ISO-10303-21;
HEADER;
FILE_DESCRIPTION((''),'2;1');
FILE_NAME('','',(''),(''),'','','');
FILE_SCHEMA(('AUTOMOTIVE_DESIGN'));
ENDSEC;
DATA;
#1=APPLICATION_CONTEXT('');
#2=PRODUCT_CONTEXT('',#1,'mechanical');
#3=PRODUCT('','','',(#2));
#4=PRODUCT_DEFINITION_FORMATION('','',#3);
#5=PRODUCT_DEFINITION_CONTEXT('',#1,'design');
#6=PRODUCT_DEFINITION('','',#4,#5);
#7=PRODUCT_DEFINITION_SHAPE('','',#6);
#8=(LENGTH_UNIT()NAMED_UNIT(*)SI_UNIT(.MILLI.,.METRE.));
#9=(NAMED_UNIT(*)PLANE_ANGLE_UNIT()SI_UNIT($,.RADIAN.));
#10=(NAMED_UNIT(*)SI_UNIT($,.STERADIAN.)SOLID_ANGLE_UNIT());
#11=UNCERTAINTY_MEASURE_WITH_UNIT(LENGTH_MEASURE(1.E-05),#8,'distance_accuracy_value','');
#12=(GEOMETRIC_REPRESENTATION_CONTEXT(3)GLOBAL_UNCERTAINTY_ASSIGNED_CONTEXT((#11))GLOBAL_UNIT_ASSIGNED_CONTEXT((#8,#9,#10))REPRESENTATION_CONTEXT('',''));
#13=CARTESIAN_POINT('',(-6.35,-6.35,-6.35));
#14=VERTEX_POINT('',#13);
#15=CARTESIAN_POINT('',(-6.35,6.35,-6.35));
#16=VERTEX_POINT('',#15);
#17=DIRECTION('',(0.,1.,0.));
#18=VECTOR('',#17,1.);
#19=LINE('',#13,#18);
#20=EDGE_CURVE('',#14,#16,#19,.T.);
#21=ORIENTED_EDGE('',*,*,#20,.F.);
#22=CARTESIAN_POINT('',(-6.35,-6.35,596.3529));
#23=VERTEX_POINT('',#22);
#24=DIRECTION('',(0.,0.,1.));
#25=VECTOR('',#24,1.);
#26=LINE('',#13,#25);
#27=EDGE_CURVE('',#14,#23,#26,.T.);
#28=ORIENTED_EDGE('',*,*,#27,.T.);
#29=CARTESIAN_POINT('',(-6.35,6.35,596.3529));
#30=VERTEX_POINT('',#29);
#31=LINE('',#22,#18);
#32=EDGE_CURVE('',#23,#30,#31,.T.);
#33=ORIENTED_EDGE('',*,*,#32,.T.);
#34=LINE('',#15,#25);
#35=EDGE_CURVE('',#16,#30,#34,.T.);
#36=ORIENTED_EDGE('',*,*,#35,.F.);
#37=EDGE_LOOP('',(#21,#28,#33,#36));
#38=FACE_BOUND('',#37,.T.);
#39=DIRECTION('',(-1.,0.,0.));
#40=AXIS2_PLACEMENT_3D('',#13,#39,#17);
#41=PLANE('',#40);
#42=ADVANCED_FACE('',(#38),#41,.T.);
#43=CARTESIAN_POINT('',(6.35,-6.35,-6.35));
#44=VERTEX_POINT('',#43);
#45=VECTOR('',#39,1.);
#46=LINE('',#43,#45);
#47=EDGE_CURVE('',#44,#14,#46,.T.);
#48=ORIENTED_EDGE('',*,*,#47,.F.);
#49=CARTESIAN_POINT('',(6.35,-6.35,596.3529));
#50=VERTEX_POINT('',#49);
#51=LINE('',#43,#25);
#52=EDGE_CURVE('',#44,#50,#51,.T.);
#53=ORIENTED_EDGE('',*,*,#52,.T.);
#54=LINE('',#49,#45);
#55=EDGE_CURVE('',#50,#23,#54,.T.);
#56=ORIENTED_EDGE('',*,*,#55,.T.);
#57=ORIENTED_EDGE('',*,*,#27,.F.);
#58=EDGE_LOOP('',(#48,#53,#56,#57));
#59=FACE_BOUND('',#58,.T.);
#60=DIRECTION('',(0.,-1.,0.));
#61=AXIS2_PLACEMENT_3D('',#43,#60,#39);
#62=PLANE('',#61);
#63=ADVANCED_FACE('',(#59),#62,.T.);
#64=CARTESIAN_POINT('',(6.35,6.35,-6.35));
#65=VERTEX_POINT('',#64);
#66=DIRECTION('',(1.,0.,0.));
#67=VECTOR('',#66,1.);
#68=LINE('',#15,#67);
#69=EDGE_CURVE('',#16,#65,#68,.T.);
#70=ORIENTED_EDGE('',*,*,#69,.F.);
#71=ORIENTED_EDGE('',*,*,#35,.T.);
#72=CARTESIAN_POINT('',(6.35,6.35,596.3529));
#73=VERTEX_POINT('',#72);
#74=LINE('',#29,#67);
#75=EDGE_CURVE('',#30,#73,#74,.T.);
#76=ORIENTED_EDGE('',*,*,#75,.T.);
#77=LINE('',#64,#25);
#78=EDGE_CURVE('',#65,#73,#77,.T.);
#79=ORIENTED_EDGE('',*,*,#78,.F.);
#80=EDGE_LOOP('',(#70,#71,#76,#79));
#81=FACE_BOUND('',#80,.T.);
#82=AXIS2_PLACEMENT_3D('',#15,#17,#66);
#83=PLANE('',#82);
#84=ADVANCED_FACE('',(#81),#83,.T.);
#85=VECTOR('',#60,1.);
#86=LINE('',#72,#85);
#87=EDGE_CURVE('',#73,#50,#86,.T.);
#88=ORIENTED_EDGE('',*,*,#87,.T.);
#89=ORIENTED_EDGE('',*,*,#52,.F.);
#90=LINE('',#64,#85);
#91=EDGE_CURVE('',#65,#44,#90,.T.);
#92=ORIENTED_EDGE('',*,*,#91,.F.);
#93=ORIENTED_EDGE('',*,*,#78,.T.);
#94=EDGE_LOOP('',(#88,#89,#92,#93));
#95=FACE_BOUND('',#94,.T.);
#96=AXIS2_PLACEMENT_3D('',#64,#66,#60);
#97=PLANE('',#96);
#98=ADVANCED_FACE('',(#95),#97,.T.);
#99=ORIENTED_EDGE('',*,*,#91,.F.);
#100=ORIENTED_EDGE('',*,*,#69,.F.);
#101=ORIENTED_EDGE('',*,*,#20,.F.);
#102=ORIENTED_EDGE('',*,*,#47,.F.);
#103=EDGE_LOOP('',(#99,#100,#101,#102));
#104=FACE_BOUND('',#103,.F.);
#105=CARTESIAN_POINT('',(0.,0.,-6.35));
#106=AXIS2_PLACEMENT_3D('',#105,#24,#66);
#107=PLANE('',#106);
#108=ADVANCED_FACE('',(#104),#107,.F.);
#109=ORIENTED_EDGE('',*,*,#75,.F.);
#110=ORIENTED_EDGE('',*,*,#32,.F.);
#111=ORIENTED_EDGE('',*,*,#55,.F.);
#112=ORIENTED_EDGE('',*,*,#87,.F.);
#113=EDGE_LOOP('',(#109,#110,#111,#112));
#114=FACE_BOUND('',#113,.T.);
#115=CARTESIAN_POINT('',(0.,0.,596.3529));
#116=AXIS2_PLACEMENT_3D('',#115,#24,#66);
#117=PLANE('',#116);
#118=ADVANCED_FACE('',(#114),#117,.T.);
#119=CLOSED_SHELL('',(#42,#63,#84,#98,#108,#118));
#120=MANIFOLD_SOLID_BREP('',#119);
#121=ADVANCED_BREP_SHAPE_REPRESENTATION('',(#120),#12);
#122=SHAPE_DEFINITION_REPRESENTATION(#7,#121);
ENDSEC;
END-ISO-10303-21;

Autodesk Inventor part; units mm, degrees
ref_plane "Start plane" through (0, 0, -6.35) normal (0, 0, 1) x (1, 0, 0)
ref_plane "End plane" through (0, 0, 596.3529) normal (0, 0, 1) x (1, 0, 0)
sketch "Sketch" plane through (0, 0, 0) normal (0, 0, 1) x (1, 0, 0)
  line L0 (6.35, -6.35) -> (-6.35, -6.35)
  line L1 (-6.35, -6.35) -> (-6.35, 6.35)
  line L2 (-6.35, 6.35) -> (6.35, 6.35)
  line L3 (6.35, 6.35) -> (6.35, -6.35)
  line L4 (-6, 0) -> (8, 0) construction
  line L5 (0, -30) -> (0, 40) construction
  line L6 (0, 54) -> (0, -44) construction
  line L7 (-9.62, 0) -> (13.27, 0) construction
  dimension "d0" = 12.7
  dimension "d1" = 12.7
  dimension "d4" = 6.35
  dimension "d5" = 6.35
extrude "Body" add sketch "Sketch" along normal up to surface (602.7029 mm away) from surface at -6.35
sketch "Sketch3" plane through (0, 0, 0) normal (0, 0, 1) x (1, 0, 0)
  line L0 (0, 0) -> (10, 0)
ref_plane "Work Plane3" through (0, 0, 0) normal (0, -1, 0) x (1, 0, 0)
sketch "Sketch4" plane through (0, 0, 0) normal (0, -1, 0) x (1, 0, 0)
  line L0 (-2, -6.35) -> (12, -6.35)
  line L1 (-2, 596.3529) -> (12, 596.3529)
  dimension "d9" = 602.7029
ref_plane "Work Plane6" through (-203.2, 0, -6.35) normal (0, 0, -1) x (-1, 0, 0)
split "Split3" plane through (-203.2, 0, -6.35) removes the side toward (0, 0, -1)
ref_plane "Work Plane7" through (-196.85, 0, 596.3529) normal (0, 0, 1) x (1, 0, 0)
split "Split4" plane through (-196.85, 0, 596.3529) removes the side toward (0, 0, 1)
ref_plane "Work Plane8" through (0, 0, 596.3529) normal (0, 0, 1) x (1, 0, 0)
split "Split5" plane through (0, 0, 596.3529) removes the side toward (0, 0, 1)
equation "\"d0\" = G_W"
equation "\"d1\" = G_H"
equation "\"d4\" = 0.5 * d1"
equation "\"d5\" = 0.5 * d0"
equation "\"d2\" = G_L"
equation "\"G_W\" = 12.7"
equation "\"G_H\" = 12.7"
equation "\"G_L\" = d9"
equation "\"G_OFFSET_START\" = 6.35"
equation "\"G_OFFSET_END\" = 6.35"
equation "\"d6\" = -G_OFFSET_START"
equation "\"d7\" = G_OFFSET_END + B_L"
equation "\"B_L\" = 590.00286"
properties part number "AISC - 1/2x1/2 - 23.728" material "Steel, Alloy"
